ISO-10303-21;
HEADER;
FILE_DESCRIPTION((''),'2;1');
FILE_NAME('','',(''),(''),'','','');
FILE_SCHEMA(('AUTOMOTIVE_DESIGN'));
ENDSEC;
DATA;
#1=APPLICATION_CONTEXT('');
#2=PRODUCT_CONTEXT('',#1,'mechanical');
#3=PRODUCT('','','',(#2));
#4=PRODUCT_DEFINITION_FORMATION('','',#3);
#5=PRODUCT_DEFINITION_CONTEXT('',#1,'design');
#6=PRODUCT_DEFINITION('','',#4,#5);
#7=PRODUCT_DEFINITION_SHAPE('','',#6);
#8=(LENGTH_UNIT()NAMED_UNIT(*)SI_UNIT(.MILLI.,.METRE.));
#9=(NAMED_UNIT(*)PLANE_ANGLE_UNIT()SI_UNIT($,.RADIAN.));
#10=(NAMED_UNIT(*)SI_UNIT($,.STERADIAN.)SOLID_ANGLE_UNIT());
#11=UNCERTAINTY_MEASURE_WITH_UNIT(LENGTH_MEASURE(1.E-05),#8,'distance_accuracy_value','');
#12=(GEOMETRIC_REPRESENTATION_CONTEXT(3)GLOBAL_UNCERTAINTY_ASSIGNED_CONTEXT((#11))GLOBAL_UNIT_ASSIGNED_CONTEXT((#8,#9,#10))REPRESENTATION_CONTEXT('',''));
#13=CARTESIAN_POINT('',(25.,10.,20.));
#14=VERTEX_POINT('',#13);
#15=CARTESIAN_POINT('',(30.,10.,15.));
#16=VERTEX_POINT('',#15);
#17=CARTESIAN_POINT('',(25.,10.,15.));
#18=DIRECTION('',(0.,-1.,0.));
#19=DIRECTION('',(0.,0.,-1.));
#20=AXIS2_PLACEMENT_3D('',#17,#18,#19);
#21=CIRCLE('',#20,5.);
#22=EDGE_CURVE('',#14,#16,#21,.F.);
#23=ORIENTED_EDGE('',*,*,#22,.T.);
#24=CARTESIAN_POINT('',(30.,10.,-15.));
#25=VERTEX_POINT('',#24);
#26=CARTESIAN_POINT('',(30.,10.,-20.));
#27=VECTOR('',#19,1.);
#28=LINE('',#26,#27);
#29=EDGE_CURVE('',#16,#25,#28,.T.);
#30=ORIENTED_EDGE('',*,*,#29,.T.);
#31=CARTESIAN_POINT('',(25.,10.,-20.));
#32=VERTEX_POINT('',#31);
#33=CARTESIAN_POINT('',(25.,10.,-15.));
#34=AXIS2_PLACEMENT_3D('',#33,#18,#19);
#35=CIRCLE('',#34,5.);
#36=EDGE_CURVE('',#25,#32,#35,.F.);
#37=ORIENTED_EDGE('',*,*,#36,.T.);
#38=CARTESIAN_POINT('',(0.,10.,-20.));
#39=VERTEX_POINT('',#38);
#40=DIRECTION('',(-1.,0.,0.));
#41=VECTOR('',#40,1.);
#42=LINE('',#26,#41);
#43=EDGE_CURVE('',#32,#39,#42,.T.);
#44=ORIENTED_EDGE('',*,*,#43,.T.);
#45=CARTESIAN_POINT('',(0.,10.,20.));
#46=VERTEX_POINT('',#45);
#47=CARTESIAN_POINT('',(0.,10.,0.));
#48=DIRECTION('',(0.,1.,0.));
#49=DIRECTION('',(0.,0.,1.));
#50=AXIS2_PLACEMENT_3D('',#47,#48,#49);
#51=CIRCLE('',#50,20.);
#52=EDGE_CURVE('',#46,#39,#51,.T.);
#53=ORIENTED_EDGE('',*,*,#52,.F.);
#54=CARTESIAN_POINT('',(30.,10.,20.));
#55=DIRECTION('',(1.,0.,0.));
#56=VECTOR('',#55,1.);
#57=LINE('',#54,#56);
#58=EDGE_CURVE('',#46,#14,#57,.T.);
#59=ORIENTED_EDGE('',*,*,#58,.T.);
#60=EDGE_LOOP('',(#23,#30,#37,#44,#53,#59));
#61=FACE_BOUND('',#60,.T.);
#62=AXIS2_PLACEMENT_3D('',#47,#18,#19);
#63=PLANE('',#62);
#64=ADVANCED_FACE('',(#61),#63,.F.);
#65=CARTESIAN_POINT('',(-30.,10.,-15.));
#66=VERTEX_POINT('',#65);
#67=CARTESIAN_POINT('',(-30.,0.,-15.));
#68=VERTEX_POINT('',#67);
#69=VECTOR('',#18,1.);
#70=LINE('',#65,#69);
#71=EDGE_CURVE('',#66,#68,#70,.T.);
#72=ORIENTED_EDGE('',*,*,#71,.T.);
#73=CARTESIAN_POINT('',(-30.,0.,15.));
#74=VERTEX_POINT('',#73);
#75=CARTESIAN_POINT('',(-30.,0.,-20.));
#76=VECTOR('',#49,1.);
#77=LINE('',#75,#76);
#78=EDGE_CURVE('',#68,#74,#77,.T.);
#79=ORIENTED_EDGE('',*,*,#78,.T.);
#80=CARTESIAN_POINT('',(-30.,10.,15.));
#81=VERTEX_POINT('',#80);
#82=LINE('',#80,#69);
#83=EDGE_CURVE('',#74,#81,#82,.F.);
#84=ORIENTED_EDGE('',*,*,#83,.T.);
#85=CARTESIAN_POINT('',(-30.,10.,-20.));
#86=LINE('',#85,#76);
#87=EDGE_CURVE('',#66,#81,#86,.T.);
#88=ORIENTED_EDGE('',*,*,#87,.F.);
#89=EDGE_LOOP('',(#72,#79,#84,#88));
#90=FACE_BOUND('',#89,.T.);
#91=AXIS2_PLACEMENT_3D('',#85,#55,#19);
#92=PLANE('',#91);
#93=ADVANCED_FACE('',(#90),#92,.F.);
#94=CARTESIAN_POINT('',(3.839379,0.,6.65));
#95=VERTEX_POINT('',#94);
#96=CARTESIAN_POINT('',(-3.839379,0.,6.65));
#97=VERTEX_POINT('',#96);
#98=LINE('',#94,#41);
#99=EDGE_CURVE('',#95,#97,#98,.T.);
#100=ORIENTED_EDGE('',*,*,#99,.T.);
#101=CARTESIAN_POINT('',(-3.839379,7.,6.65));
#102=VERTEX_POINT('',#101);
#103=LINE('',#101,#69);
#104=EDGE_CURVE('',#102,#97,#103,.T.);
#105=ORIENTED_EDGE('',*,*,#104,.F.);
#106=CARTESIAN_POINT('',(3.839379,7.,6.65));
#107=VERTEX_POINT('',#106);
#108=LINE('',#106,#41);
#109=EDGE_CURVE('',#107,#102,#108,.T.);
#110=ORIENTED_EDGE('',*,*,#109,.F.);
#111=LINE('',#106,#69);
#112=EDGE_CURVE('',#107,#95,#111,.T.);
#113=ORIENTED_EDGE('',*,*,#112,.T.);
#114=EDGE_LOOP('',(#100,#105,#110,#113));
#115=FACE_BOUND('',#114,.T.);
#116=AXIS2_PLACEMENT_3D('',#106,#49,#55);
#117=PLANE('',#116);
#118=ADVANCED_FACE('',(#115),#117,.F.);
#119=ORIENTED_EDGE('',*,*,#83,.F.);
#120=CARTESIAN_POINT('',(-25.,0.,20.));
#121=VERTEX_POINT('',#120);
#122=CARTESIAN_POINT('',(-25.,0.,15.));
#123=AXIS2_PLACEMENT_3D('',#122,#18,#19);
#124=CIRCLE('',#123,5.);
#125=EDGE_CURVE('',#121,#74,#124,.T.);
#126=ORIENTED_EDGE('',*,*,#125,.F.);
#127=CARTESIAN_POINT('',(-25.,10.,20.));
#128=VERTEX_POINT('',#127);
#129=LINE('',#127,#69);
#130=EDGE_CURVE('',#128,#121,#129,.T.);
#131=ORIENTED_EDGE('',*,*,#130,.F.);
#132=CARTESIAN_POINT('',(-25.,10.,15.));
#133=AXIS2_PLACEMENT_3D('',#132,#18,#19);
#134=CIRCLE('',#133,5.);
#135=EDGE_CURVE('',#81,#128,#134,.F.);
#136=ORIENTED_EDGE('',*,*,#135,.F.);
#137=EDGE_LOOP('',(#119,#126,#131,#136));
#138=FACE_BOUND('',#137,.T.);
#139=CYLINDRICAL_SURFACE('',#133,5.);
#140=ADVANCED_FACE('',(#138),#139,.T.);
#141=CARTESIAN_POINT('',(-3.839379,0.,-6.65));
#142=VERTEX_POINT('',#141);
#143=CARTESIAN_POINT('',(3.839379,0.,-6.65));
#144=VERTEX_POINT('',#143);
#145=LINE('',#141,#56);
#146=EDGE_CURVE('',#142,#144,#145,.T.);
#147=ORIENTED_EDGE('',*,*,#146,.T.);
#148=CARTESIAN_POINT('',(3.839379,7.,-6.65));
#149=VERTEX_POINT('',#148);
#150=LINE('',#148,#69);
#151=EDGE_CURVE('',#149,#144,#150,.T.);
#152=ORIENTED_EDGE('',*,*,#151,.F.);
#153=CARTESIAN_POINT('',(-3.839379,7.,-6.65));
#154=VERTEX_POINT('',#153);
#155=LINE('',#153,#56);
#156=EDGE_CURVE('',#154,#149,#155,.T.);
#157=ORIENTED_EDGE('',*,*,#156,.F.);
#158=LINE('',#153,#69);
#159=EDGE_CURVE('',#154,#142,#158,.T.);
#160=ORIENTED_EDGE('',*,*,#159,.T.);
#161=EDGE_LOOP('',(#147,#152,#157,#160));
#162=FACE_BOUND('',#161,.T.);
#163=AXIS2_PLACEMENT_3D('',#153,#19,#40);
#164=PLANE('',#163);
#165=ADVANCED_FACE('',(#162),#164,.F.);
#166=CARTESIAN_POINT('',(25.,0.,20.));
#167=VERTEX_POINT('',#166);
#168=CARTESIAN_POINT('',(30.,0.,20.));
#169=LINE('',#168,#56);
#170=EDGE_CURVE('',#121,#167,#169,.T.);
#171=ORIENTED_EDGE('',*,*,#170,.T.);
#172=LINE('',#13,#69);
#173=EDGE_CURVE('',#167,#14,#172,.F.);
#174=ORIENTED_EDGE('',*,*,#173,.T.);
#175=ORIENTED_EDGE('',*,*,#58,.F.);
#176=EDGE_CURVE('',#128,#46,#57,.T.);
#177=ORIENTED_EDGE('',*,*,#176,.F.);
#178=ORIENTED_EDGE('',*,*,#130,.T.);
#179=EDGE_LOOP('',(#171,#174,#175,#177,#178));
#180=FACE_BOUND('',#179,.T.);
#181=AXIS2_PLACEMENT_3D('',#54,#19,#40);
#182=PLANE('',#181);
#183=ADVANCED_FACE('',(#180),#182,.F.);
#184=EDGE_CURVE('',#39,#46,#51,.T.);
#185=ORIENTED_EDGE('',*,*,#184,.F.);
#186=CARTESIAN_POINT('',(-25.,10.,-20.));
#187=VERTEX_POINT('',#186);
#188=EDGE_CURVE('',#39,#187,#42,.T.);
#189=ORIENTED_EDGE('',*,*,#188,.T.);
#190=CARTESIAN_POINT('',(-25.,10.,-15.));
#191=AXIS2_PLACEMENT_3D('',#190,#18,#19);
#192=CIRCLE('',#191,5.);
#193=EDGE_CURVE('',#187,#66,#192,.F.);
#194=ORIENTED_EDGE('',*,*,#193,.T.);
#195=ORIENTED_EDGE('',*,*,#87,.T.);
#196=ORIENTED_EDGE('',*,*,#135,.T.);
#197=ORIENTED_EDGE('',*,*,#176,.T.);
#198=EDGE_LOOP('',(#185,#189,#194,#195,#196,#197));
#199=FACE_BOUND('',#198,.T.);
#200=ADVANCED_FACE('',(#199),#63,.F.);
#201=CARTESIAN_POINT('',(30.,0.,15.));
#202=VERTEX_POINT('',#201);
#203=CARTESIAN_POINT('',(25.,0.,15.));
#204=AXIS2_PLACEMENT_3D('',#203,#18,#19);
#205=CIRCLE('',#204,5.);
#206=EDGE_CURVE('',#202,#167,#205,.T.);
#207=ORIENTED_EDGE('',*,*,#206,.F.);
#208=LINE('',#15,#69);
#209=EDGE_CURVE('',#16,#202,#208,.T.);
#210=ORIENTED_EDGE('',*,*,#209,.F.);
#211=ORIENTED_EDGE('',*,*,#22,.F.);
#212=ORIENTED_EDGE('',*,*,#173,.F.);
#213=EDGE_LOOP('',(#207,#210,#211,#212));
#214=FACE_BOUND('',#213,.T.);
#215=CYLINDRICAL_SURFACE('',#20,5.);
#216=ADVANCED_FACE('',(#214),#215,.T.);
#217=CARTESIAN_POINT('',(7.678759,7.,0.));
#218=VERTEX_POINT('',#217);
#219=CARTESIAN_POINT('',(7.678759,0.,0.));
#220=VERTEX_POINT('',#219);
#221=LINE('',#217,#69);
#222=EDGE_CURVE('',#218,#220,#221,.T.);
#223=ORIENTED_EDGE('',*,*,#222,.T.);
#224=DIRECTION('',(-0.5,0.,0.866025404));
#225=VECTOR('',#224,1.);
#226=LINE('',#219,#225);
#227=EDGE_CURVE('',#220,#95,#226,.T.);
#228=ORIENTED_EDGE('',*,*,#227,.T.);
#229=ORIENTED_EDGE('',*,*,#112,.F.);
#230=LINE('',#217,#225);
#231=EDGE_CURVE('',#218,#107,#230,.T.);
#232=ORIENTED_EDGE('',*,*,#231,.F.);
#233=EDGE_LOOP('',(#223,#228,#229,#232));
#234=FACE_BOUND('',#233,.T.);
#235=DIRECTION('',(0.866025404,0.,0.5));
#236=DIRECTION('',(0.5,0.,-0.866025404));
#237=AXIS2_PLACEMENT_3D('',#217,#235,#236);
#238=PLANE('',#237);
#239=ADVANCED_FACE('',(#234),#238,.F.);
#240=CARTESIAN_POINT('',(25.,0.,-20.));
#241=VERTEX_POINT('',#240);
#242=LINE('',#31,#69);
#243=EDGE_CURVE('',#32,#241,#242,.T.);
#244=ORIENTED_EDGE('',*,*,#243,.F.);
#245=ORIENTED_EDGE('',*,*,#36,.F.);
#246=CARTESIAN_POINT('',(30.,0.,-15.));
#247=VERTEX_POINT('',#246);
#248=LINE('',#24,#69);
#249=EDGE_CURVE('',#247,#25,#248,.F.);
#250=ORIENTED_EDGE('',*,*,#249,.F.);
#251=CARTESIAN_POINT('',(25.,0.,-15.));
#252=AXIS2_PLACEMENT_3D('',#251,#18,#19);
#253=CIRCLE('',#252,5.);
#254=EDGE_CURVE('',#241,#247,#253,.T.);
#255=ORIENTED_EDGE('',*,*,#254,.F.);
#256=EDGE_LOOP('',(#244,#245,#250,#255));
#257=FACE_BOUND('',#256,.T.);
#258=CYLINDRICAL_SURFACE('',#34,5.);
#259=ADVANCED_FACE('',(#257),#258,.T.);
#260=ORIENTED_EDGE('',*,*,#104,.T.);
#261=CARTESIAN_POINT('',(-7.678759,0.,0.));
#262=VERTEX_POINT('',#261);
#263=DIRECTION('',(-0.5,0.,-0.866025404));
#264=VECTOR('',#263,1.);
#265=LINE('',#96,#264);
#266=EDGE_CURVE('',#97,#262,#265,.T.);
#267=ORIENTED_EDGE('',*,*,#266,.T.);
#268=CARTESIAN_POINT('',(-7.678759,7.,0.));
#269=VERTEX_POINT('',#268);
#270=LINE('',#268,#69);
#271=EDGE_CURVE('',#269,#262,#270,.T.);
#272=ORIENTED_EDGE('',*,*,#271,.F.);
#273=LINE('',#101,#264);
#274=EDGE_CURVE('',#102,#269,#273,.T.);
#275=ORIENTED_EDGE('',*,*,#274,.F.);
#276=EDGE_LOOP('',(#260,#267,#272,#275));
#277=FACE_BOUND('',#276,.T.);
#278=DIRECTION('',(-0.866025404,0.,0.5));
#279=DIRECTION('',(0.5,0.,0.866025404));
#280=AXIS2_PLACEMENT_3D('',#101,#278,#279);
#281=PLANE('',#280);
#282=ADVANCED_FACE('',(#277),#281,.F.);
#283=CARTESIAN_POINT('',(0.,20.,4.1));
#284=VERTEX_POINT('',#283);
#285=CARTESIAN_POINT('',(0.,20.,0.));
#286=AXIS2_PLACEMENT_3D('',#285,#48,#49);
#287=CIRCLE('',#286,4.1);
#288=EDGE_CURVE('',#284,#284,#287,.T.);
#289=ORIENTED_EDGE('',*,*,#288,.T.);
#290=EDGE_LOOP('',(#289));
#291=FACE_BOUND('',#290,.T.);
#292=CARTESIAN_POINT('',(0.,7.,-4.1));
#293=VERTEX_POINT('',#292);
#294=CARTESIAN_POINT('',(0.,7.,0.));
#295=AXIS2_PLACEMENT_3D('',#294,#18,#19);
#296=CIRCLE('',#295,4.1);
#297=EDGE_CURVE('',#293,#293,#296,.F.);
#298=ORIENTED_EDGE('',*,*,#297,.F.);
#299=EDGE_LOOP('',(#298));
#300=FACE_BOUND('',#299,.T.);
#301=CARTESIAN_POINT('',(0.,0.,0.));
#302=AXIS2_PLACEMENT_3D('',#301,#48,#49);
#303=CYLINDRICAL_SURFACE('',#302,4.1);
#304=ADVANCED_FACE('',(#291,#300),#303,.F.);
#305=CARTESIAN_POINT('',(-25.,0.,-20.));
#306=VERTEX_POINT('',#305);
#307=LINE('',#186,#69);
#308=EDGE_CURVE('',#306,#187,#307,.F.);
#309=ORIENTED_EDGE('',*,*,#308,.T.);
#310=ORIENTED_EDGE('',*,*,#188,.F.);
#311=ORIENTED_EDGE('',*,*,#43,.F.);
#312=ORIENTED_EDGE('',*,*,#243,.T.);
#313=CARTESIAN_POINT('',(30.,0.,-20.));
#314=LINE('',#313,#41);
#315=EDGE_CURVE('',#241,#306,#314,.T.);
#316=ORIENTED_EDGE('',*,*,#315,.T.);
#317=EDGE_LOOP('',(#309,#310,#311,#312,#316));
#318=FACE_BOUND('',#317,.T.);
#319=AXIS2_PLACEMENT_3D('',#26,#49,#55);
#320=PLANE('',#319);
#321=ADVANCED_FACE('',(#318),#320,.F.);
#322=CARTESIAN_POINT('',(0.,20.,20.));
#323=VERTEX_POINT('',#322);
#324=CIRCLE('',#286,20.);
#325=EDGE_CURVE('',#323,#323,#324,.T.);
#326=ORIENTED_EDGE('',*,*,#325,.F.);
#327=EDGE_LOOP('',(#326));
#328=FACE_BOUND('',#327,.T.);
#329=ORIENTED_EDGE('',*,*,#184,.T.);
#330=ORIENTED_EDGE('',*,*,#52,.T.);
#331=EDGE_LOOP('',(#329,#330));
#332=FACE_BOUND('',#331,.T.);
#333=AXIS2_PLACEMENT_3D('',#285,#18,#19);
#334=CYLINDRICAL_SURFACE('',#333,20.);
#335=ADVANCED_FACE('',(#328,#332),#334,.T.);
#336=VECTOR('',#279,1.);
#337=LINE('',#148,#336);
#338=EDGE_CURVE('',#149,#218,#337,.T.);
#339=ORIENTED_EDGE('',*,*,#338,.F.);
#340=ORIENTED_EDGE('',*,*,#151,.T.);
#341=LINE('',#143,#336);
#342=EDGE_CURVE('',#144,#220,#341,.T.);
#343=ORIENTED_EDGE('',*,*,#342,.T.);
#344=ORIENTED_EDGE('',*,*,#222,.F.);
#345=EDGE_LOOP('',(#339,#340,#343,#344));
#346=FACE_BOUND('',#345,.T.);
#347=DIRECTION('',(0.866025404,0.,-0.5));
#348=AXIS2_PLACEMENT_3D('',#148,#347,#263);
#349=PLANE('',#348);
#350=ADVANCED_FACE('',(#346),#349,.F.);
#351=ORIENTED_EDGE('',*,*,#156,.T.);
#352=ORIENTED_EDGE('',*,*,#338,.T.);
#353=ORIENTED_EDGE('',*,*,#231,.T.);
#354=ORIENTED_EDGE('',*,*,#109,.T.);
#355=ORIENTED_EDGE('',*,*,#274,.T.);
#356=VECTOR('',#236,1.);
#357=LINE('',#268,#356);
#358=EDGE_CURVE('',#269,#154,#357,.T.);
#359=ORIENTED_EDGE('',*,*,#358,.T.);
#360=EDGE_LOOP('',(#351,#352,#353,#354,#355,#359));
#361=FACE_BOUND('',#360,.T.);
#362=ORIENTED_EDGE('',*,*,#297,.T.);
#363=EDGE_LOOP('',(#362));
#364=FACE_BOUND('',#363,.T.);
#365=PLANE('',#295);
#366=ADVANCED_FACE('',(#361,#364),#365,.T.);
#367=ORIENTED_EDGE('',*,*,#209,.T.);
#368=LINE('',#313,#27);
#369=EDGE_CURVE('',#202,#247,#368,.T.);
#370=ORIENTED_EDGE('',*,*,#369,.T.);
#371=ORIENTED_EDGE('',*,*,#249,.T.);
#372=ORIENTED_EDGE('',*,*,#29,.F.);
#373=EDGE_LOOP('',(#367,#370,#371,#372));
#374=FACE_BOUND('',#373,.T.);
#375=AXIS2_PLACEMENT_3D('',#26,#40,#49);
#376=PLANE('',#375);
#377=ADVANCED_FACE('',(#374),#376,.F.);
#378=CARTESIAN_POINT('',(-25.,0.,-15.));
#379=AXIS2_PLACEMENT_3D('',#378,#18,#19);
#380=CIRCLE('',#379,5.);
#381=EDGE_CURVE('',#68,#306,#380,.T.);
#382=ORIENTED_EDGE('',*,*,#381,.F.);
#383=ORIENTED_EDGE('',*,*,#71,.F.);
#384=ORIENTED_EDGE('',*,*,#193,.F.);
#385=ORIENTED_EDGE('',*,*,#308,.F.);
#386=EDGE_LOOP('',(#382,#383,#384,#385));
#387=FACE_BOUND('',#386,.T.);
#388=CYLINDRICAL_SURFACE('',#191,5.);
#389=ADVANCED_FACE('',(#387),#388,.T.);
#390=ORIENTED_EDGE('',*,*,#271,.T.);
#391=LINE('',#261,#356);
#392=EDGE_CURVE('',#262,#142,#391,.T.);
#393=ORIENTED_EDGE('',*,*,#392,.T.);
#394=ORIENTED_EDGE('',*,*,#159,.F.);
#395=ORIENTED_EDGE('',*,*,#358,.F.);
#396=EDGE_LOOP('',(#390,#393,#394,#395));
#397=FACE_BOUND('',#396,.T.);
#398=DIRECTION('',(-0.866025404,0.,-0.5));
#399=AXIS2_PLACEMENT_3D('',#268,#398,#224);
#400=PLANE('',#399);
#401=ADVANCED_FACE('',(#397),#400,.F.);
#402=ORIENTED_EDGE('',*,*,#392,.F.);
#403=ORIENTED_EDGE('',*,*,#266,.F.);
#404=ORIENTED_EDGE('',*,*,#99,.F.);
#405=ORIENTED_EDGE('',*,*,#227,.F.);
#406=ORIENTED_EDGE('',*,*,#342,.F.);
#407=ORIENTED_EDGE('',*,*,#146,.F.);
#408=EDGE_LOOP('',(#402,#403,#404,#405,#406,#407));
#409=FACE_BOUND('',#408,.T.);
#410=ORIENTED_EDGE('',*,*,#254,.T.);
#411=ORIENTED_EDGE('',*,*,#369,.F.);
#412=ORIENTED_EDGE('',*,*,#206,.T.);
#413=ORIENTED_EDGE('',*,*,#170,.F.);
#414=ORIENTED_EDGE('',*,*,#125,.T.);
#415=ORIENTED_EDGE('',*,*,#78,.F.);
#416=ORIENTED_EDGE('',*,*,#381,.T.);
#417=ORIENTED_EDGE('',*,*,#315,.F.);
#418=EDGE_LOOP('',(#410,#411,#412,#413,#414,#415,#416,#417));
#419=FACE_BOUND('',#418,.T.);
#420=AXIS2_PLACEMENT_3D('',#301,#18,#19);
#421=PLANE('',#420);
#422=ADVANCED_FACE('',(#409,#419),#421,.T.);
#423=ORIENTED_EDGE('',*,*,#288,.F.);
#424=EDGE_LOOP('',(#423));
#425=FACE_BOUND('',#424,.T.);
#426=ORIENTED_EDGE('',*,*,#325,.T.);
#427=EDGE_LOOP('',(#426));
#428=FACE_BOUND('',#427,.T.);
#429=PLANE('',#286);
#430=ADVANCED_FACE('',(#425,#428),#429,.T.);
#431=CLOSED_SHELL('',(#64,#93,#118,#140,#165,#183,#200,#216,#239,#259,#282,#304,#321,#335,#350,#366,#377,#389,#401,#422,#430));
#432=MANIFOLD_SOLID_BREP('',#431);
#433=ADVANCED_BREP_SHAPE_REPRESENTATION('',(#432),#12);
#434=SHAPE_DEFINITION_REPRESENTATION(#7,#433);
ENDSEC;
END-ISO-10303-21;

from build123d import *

# Parameters (mm, degrees)
SKETCH1_W           = 60
SKETCH1_H           = 40
BOSS_EXTRUDE1_DEPTH = 10
SKETCH2_R           = 20
BOSS_EXTRUDE2_DEPTH = 10
SKETCH4_R           = 4.1
CUT_EXTRUDE1_DEPTH  = 42.231056256
FILLET1_R           = 5
CUT_EXTRUDE2_DEPTH  = 7


with BuildPart() as part:
    # Sketch1 → Boss-Extrude1 (new body)
    with BuildSketch(Plane(origin=(0, 0, 0), x_dir=(1, 0, 0), z_dir=(0, 1, 0))):
        Rectangle(SKETCH1_W, SKETCH1_H)
    extrude(amount=BOSS_EXTRUDE1_DEPTH)

    # Sketch2 → Boss-Extrude2 (add)
    with BuildSketch(Plane(origin=(0, 10, 0), x_dir=(1, 0, 0), z_dir=(0, 1, 0))):
        with Locations(Location((0, 0, 0), (0, 0, 270))):
            Circle(SKETCH2_R)
    extrude(amount=BOSS_EXTRUDE2_DEPTH)

    # Sketch4 → Cut-Extrude1 (cut, through all)
    with BuildSketch(Plane(origin=(0, 20, 0), x_dir=(1, 0, 0), z_dir=(0, 1, 0))):
        with Locations(Location((0, 0, 0), (0, 0, 270))):
            Circle(SKETCH4_R)
    extrude(amount=-CUT_EXTRUDE1_DEPTH, mode=Mode.SUBTRACT)

    # Fillet1
    fillet1_edges = [part.edges().sort_by_distance(p)[0] for p in [
        (-30, 5, -20),
        (30, 5, -20),
        (30, 5, 20),
        (-30, 5, 20),
    ]]
    fillet(fillet1_edges, radius=FILLET1_R)

    # Sketch5 → Cut-Extrude2 (cut)
    with BuildSketch(Plane.XZ):
        Polygon((-7.67875858, 0), (-3.83937929, -6.65), (3.83937929, -6.65), (7.67875858, 0), (3.83937929, 6.65), (-3.83937929, 6.65), align=None)
    extrude(amount=-CUT_EXTRUDE2_DEPTH, mode=Mode.SUBTRACT)


solid = part.part
